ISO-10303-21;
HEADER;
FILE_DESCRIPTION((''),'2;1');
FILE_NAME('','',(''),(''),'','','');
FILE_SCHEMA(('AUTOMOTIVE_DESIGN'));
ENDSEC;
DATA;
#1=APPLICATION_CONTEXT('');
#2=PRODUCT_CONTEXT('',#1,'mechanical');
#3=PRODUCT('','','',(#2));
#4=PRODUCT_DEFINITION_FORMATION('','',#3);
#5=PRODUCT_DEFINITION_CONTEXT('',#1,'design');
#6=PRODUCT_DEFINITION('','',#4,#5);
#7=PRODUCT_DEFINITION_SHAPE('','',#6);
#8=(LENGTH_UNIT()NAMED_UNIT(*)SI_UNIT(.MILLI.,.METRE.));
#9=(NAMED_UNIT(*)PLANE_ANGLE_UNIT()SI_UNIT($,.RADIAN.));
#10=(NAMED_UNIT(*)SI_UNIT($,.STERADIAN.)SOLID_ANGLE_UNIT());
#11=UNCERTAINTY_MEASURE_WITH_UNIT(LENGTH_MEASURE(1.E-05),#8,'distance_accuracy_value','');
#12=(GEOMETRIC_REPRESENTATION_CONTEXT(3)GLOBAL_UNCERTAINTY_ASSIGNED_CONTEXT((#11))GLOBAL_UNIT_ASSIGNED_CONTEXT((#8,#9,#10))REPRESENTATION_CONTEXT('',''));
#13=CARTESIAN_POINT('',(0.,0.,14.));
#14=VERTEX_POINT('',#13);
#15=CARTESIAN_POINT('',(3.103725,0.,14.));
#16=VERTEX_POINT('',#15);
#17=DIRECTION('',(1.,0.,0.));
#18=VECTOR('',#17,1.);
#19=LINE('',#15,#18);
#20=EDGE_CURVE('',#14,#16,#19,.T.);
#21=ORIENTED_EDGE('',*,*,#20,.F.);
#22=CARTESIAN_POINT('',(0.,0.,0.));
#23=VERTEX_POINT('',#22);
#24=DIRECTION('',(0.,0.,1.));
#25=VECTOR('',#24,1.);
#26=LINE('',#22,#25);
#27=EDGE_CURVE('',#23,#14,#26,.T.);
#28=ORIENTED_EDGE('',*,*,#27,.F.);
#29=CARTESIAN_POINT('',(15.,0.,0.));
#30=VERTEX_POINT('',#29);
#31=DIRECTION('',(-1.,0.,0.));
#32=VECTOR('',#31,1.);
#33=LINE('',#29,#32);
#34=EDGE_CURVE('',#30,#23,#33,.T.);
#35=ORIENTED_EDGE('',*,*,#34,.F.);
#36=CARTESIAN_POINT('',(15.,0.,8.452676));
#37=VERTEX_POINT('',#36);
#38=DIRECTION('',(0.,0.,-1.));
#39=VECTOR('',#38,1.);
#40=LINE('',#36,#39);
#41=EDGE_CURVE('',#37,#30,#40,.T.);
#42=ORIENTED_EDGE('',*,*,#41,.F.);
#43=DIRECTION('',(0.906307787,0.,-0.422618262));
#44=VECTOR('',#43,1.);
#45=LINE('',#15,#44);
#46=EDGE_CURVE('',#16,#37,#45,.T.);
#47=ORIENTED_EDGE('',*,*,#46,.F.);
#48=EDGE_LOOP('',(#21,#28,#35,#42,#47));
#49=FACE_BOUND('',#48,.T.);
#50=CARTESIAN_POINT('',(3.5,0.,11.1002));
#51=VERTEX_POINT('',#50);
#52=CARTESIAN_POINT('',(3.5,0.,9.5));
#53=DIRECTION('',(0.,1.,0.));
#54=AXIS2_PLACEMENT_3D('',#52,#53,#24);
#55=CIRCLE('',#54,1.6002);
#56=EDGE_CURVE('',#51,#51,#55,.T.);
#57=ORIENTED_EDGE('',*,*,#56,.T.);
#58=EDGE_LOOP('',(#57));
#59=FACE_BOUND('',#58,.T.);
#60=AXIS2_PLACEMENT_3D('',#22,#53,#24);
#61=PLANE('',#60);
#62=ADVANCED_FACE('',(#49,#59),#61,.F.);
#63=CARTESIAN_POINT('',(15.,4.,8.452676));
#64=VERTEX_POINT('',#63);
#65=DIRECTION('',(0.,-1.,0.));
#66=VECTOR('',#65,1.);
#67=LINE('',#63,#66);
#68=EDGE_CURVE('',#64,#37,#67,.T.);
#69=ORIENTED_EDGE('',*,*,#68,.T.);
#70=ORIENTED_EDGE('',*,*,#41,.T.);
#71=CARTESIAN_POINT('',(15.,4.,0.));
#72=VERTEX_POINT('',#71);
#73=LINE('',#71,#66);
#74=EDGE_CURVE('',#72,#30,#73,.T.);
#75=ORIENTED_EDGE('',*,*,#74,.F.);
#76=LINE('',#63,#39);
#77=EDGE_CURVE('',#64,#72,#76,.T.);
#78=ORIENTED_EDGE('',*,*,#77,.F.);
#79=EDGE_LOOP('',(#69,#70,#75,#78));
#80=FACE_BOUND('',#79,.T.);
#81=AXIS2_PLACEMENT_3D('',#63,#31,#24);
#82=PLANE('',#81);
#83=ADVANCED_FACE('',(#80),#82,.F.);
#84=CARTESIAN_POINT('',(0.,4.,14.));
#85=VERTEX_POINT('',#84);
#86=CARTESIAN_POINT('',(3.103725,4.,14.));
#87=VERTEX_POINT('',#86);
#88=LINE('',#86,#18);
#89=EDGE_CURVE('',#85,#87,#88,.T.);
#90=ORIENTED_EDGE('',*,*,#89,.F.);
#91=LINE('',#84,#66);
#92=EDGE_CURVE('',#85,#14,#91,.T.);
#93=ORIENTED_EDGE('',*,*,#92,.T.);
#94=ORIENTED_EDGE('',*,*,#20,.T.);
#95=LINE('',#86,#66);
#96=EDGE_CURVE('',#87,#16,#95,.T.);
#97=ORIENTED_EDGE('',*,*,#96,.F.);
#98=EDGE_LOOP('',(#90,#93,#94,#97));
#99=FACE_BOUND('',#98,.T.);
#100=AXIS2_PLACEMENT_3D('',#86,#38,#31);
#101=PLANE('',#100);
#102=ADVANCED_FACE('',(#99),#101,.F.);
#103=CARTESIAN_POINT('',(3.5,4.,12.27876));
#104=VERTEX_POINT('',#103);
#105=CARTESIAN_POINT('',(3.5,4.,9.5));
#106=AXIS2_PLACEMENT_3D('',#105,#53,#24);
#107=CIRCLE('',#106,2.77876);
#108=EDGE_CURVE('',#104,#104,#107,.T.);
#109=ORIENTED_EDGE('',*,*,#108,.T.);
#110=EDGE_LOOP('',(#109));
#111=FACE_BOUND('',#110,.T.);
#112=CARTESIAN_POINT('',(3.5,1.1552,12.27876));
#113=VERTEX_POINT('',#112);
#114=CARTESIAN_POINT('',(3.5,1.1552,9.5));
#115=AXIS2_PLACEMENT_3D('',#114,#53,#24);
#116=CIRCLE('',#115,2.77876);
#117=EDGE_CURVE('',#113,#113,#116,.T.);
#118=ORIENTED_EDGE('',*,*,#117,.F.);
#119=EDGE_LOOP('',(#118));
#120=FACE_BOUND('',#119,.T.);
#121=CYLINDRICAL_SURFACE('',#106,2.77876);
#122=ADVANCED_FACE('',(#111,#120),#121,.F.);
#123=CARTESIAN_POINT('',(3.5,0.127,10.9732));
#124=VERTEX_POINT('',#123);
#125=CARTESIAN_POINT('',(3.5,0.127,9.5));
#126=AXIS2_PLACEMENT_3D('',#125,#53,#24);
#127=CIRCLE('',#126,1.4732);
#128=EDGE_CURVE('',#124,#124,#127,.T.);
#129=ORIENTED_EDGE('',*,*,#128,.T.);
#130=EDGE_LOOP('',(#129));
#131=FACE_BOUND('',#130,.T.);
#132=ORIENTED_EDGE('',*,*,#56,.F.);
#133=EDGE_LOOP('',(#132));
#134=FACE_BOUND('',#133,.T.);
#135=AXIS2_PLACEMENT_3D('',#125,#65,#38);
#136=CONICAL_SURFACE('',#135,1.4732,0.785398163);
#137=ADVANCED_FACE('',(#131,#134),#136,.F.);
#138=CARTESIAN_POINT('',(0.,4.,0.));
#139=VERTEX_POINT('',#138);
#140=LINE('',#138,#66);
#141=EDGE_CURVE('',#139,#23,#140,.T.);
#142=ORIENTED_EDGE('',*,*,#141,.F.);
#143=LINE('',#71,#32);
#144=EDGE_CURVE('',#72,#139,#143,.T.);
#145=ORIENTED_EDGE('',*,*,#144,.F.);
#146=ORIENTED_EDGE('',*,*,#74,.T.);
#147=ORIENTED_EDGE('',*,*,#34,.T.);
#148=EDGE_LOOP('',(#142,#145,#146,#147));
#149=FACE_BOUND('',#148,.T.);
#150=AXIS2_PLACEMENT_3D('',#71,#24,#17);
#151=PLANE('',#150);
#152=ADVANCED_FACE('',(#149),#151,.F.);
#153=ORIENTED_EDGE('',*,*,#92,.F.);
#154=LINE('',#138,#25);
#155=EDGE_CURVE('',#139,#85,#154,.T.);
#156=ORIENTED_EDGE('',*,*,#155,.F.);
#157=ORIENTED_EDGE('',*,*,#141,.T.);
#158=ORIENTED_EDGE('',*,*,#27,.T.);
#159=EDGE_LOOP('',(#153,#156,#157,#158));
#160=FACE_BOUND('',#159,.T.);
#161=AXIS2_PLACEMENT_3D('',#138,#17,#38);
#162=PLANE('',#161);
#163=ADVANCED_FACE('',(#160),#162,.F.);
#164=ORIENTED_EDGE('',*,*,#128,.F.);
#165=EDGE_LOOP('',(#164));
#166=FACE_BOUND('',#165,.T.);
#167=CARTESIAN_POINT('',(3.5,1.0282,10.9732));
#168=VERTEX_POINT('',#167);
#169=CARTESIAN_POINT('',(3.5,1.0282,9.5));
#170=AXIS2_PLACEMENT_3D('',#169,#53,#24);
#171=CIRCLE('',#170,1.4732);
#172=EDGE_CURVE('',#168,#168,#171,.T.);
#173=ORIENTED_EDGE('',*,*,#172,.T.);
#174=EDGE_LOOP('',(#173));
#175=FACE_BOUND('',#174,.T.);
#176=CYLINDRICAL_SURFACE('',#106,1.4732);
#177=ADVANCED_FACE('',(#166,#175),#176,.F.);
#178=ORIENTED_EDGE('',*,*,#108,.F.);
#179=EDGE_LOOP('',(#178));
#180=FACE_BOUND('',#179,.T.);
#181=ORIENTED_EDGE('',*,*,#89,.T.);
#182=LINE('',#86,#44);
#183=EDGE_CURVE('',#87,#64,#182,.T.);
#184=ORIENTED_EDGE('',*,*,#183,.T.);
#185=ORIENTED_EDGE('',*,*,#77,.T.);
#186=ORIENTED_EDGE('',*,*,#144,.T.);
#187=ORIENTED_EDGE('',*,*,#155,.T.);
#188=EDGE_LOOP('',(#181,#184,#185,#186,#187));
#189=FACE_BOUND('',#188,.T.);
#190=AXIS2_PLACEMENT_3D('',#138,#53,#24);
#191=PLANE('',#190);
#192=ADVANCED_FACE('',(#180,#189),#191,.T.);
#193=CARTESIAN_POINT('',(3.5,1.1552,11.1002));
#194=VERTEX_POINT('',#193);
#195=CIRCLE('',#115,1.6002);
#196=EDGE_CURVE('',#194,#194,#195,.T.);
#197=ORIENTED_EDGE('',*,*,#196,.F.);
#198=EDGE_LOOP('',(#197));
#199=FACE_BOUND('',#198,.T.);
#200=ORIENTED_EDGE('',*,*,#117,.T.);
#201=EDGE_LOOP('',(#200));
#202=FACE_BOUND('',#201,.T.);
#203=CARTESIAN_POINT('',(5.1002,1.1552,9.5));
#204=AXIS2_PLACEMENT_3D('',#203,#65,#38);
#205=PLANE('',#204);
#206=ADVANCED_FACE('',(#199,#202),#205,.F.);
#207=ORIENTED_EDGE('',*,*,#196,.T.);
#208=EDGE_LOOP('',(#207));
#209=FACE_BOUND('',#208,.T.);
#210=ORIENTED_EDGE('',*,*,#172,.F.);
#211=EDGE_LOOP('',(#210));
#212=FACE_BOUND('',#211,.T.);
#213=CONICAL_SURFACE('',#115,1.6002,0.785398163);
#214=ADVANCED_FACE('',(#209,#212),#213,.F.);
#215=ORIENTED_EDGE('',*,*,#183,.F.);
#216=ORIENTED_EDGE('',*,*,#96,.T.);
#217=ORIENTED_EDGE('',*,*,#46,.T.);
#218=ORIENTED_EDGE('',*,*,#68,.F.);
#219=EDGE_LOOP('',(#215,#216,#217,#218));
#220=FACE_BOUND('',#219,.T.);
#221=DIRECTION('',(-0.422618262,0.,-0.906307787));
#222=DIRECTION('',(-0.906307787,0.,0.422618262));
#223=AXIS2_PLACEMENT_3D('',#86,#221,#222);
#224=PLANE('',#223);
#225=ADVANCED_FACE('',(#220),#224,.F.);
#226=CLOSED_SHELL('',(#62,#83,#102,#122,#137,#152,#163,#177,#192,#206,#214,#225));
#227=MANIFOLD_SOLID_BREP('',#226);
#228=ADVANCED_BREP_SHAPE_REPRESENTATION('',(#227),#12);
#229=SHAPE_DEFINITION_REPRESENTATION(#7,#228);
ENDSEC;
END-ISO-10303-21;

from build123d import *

# Parameters (mm, degrees)
EXTRUDE_1_DEPTH = 4


with BuildPart() as part:
    # Эскиз1 → Бобышка-Вытянуть1 (new body)
    with BuildSketch(Plane(origin=(0, 0, 0), x_dir=(1, 0, 0), z_dir=(0, 1, 0))):
        Polygon((0, 0), (0, -14), (3.103725277, -14), (15, -8.452675993), (15, 0), align=None)
    extrude(amount=EXTRUDE_1_DEPTH)

    # Эскиз2 → Цековка для  винта с внутренним шестигранником #41 (revolve, cut)
    with BuildSketch(Plane(origin=(3.5, 4, 9.5), x_dir=(0, 0, 1), z_dir=(1, 0, 0))):
        Polygon((0, 0), (0, 4), (1.6002, 4), (1.4732, 3.873), (1.4732, 2.9718), (1.6002, 2.8448), (2.77876, 2.8448), (2.77876, 0), align=None)
    revolve(axis=Axis((3.5, 10.35, 9.5), (0, -1, 0)), mode=Mode.SUBTRACT)


solid = part.part
